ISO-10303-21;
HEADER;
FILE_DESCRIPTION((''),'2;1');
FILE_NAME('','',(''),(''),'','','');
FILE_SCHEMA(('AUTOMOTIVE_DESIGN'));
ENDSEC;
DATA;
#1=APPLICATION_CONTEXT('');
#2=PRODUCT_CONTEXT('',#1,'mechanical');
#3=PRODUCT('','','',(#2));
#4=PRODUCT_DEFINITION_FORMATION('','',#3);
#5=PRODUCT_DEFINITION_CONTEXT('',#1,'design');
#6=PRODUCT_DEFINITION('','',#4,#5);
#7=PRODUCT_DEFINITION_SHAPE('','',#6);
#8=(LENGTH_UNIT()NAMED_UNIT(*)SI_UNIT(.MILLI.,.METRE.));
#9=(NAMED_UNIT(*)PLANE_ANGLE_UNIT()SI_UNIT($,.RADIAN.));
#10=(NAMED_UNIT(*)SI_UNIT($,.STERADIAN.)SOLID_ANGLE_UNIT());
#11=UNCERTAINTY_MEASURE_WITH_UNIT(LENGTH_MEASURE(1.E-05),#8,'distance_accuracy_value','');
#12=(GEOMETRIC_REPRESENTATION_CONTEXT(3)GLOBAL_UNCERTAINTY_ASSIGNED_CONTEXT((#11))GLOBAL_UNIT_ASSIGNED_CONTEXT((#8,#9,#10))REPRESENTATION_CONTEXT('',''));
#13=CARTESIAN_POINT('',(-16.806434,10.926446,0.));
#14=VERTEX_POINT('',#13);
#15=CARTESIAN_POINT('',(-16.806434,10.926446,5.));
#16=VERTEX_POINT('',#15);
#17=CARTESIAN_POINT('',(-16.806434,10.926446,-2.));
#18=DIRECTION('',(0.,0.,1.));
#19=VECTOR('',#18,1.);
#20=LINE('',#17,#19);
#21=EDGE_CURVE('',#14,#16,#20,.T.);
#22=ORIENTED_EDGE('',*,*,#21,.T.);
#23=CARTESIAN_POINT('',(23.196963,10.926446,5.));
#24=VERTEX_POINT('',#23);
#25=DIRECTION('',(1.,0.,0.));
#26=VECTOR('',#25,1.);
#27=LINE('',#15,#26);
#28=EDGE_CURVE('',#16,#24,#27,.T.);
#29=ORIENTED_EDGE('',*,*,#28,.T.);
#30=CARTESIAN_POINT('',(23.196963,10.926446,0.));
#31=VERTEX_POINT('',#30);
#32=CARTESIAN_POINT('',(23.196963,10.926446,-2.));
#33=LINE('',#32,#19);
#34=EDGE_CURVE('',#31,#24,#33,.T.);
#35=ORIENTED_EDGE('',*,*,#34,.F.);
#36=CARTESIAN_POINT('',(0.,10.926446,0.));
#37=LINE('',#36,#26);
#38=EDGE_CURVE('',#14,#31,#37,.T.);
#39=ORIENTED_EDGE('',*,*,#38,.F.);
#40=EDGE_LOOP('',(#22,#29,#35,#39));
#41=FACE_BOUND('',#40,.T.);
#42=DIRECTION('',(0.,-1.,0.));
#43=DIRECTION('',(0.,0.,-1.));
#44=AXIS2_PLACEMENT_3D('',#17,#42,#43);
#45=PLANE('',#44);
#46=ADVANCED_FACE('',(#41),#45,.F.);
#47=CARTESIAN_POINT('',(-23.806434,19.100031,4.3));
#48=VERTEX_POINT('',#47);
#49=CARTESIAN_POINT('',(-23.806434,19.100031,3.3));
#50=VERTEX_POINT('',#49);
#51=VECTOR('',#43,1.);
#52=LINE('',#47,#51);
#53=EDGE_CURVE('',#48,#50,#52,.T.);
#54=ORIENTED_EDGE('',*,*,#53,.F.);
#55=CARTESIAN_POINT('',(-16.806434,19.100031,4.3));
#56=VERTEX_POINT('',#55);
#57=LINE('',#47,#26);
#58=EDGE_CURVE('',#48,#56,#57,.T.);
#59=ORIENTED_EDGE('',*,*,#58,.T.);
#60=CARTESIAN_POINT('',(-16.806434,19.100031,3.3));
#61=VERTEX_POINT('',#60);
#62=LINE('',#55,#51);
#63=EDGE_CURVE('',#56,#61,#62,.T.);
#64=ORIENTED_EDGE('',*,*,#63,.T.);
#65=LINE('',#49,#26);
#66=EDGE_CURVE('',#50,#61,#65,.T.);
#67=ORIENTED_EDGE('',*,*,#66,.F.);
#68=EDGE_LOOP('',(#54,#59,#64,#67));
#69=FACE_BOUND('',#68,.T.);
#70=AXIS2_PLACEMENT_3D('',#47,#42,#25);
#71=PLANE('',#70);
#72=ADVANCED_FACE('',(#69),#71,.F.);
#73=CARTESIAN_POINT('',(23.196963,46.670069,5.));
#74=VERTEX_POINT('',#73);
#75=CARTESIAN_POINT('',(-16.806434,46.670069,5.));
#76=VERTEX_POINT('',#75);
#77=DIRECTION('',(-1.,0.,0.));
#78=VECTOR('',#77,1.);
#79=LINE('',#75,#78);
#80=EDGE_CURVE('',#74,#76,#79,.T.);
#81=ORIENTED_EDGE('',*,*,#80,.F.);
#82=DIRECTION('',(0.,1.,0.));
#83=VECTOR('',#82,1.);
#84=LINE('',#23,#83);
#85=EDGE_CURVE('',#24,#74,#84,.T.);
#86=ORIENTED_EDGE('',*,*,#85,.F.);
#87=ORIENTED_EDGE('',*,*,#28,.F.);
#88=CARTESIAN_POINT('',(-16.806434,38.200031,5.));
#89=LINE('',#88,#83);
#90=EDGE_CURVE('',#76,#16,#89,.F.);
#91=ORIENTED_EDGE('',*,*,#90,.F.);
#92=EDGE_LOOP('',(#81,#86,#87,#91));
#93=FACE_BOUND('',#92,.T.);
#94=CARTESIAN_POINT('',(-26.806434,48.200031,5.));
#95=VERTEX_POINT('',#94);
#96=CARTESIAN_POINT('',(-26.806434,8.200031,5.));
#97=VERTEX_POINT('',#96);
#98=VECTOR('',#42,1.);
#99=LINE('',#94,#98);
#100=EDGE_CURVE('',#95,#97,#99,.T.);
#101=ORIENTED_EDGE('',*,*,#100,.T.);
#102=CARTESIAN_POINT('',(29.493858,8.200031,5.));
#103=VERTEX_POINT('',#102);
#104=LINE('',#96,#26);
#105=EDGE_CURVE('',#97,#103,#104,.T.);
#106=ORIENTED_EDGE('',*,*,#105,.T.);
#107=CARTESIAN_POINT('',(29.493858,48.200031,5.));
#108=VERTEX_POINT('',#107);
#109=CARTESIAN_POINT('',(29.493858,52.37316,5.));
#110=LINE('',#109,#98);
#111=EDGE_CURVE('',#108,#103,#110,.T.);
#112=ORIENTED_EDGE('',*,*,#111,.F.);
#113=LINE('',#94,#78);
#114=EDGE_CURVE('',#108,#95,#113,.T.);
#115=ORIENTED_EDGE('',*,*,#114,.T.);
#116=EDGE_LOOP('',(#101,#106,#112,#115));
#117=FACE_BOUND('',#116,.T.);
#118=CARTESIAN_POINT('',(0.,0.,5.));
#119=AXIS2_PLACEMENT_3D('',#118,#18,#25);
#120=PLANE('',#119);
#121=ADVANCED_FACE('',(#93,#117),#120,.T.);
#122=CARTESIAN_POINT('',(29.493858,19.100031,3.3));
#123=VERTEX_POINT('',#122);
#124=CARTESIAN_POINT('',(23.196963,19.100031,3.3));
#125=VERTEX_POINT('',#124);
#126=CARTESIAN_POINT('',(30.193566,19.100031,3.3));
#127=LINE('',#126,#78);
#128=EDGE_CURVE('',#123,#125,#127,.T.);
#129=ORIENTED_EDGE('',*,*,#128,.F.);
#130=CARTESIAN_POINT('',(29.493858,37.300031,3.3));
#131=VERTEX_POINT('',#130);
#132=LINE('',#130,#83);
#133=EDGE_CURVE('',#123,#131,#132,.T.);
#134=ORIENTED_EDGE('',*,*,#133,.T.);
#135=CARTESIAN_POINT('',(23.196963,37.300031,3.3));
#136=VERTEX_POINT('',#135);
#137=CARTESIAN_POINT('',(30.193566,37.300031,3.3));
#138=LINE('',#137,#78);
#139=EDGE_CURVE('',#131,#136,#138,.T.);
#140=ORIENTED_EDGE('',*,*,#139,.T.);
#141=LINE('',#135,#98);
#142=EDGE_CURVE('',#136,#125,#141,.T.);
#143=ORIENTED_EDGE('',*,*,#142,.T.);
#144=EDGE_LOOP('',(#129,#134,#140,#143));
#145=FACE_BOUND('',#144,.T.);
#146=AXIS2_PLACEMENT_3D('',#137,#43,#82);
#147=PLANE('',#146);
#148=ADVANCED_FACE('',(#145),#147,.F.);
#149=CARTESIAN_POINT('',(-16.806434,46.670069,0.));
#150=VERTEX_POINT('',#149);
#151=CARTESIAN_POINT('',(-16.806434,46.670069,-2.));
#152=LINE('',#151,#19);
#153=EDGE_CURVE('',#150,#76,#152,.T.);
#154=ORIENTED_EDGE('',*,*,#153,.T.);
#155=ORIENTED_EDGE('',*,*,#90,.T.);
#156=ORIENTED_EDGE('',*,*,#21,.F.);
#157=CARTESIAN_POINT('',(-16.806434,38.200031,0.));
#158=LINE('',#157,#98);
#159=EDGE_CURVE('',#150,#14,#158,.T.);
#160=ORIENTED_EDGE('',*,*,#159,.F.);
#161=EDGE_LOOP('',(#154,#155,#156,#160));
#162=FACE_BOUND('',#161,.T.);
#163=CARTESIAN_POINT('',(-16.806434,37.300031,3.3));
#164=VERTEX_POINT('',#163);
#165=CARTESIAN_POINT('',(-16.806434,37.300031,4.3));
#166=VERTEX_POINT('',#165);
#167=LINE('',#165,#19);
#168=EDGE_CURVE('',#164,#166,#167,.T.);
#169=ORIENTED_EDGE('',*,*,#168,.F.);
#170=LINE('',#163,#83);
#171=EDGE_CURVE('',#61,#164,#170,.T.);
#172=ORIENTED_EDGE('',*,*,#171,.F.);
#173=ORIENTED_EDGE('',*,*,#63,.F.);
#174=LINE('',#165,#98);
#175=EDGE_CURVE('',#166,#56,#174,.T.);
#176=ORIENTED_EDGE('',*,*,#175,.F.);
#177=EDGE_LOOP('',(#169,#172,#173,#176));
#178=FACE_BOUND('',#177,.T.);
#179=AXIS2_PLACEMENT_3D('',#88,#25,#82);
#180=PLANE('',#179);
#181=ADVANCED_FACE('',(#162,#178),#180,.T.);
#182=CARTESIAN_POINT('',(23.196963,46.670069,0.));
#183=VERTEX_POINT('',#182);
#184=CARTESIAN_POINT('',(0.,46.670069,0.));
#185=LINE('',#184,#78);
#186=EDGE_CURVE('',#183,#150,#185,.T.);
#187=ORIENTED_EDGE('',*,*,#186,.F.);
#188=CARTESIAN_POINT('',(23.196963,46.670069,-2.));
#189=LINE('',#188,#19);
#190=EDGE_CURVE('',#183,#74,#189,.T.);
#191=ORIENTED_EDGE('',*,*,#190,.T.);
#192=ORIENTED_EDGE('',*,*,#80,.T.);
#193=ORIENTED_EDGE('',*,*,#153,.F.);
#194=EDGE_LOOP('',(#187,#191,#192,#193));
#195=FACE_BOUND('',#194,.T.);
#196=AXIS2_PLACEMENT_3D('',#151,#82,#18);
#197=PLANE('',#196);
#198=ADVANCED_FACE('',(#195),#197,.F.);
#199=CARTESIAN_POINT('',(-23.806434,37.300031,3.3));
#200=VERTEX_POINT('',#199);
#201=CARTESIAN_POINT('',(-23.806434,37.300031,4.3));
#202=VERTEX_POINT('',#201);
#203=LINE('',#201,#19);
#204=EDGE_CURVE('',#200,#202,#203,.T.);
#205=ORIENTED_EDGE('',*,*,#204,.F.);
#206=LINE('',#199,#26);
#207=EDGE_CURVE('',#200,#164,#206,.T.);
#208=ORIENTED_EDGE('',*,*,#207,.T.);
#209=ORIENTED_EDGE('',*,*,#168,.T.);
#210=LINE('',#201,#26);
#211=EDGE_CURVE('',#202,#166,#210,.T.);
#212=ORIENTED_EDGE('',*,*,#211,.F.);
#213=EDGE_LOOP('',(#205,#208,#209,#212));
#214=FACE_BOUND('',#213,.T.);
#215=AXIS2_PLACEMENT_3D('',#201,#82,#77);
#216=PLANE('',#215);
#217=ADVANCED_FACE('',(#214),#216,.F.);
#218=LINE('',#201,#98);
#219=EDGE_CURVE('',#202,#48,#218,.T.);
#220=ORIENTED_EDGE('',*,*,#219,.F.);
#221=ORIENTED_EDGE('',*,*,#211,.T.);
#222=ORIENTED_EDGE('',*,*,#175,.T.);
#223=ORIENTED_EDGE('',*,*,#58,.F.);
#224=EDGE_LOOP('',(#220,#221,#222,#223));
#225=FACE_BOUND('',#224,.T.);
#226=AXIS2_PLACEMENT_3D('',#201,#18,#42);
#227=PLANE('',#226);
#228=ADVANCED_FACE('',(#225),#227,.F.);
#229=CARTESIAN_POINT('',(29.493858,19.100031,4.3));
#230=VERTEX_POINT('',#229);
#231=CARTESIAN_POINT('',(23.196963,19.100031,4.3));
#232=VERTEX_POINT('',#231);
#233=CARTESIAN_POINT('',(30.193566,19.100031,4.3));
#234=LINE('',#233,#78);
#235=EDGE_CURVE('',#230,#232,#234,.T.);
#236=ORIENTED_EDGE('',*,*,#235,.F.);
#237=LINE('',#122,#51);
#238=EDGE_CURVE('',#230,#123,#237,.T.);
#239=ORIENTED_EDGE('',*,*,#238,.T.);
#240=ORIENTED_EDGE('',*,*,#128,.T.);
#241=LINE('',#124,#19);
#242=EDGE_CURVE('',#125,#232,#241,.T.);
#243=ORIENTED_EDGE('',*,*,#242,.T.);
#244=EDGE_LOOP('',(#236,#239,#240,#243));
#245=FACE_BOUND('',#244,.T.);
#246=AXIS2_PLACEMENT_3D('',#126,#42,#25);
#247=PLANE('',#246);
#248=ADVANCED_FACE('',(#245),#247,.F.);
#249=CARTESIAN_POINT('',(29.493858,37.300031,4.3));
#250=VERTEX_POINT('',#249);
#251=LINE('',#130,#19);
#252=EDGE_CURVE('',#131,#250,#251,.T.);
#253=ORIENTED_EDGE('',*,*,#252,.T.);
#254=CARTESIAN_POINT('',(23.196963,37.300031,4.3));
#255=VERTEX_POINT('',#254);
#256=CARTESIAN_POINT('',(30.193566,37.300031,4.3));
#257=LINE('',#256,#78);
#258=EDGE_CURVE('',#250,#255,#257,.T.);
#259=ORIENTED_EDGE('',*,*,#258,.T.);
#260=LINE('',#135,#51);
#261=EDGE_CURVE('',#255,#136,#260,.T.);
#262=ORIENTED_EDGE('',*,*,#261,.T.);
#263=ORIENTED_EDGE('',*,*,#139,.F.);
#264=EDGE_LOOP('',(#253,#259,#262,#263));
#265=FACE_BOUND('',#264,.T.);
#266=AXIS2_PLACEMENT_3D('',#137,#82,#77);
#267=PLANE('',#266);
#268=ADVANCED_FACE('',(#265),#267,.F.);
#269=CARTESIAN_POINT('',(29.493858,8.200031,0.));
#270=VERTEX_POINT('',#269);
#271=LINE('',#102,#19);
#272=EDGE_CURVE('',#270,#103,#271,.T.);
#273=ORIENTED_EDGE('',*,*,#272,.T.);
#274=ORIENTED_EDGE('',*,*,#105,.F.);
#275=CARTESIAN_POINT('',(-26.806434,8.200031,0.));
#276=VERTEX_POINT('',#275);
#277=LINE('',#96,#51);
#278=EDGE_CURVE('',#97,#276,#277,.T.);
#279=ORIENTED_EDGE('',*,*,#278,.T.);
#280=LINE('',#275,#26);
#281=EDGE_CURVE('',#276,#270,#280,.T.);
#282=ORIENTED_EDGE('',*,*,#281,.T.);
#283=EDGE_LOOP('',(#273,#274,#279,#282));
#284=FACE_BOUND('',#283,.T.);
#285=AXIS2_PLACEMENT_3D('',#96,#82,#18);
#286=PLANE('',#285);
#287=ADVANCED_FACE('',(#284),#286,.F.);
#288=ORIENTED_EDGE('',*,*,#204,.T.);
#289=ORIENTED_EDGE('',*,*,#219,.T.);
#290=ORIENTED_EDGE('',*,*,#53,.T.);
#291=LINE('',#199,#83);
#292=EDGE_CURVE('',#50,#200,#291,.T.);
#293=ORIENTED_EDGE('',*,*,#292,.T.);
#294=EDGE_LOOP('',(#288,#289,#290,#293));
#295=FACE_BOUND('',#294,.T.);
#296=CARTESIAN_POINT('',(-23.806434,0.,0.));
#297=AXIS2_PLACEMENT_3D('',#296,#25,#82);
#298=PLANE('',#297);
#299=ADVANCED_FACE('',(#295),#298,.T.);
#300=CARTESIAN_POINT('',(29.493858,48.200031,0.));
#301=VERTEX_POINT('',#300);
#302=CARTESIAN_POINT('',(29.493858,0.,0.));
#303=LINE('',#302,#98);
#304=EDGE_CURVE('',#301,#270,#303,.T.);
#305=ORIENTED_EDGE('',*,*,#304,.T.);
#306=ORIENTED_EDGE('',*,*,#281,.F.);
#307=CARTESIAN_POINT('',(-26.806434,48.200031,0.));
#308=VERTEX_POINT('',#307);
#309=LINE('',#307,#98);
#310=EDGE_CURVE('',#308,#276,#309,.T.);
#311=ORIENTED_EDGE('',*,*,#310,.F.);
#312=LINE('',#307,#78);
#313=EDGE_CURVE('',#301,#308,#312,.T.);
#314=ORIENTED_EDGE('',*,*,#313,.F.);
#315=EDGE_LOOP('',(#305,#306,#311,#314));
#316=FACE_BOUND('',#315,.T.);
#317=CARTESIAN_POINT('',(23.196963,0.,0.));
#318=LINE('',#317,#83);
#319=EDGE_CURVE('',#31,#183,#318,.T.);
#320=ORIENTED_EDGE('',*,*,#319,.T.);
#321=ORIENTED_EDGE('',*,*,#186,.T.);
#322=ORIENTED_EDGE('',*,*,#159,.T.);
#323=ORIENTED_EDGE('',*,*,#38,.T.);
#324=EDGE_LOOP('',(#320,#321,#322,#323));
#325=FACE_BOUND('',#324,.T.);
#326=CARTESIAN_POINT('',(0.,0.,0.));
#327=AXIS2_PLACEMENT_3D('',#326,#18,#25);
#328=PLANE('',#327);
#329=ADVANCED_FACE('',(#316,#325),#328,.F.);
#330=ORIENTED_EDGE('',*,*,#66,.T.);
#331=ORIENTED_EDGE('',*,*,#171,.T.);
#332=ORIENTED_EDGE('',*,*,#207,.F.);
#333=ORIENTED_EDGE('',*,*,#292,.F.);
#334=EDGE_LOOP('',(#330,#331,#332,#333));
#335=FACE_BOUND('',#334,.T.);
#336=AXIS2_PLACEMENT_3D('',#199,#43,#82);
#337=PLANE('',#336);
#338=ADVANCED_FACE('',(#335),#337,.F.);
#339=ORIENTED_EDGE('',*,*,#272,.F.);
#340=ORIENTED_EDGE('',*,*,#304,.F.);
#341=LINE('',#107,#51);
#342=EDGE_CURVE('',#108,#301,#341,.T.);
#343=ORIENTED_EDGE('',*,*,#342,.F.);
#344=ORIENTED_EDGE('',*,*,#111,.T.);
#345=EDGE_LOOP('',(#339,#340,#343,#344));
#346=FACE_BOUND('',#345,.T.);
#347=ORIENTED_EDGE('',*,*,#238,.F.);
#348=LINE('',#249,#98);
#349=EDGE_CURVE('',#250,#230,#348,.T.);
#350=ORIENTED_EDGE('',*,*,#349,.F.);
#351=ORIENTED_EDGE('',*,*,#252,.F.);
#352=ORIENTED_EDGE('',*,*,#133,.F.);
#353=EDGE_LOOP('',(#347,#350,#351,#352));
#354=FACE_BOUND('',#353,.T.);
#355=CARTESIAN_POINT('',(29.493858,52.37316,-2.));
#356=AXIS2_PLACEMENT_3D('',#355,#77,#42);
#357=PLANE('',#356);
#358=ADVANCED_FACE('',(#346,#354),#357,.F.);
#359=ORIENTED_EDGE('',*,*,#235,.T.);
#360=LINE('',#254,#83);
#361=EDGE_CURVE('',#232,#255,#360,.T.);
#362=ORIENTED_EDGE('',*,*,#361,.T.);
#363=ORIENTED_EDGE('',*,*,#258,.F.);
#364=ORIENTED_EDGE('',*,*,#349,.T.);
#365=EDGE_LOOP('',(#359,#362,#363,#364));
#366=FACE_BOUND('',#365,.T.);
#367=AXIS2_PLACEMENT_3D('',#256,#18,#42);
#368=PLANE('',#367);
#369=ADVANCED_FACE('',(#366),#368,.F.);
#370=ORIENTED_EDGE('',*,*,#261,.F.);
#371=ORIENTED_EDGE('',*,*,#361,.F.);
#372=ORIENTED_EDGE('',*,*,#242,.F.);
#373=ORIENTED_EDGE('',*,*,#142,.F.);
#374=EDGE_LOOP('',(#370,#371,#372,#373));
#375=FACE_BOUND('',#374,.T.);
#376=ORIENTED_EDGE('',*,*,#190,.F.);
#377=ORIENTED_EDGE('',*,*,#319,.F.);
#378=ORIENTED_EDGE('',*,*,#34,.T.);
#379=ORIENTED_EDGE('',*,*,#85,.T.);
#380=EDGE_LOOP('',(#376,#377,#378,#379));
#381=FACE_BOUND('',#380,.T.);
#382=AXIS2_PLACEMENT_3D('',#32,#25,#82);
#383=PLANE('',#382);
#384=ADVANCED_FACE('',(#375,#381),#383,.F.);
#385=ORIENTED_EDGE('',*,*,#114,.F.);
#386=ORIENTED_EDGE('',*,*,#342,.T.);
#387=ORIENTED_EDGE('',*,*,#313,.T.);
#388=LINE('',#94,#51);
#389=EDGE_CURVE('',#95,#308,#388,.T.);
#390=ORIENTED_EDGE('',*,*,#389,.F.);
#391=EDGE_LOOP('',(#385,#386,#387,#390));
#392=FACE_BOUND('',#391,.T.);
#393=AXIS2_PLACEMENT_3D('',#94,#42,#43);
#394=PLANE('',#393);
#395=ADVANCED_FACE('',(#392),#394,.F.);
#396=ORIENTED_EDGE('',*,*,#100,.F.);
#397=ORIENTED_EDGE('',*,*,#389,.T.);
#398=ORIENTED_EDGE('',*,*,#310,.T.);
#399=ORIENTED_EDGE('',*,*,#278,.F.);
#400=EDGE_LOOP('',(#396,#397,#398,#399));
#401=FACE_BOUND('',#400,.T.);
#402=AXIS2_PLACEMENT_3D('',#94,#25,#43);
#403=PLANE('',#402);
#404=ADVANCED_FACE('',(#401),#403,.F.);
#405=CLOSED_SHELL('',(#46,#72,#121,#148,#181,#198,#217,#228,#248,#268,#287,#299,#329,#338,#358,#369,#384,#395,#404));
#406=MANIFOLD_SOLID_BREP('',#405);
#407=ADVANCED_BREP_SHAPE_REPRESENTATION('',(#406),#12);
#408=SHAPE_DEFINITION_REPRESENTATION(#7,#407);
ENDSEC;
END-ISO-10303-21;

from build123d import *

# Parameters (mm, degrees)
SKETCH1_W               = 60
SKETCH1_H               = 40
BOSS_EXTRUDE1_DEPTH     = 5
CUT_EXTRUDE2_DEPTH      = 59.523499554
CUT_EXTRUDE2_DEPTH_BACK = 59.523499554
SKETCH2_W               = 1
SKETCH2_H               = 18.2
CUT_EXTRUDE3_DEPTH      = 7
SKETCH3_W               = 1
SKETCH3_H               = 18.2
CUT_EXTRUDE4_DEPTH      = 7
SKETCH6_W               = 40.00339764
SKETCH6_H               = 35.743622905
CUT_EXTRUDE5_DEPTH      = 7
SKETCH7_W               = 12.082118358
SKETCH7_H               = 49.934440021
CUT_EXTRUDE6_DEPTH      = 7


with BuildPart() as part:
    # Sketch1 → Boss-Extrude1 (new body)
    with BuildSketch(Plane.XY):
        with Locations((3.193565597, 28.20003109)):
            Rectangle(SKETCH1_W, SKETCH1_H)
    extrude(amount=BOSS_EXTRUDE1_DEPTH)

    # 3DSketch1 → Cut-Extrude2 (cut, two sides)
    with BuildSketch(Plane(origin=(-16.806434403, 18.20003109, 5), x_dir=(0.8944271909999159, 0.4472135954999582, 0), z_dir=(0, 0, 1))) as cut_extrude2_sk:
        Polygon((0, 0), (35.77708764, -17.88854382), (44.72135955, 0), (8.94427191, 17.88854382), align=None)
    extrude(amount=CUT_EXTRUDE2_DEPTH, mode=Mode.SUBTRACT)
    extrude(cut_extrude2_sk.sketch, amount=-CUT_EXTRUDE2_DEPTH_BACK, mode=Mode.SUBTRACT)

    # Sketch2 → Cut-Extrude3 (cut)
    with BuildSketch(Plane(origin=(-16.806434403, 0, 0), x_dir=(0, 0, -1), z_dir=(1, 0, 0))):
        with Locations((-3.8, 28.20003109)):
            Rectangle(SKETCH2_W, SKETCH2_H)
    extrude(amount=-CUT_EXTRUDE3_DEPTH, mode=Mode.SUBTRACT)

    # Sketch3 → Cut-Extrude4 (cut)
    with BuildSketch(Plane.ZY.offset(-23.193565597)):
        with Locations((3.8, 28.20003109)):
            Rectangle(SKETCH3_W, SKETCH3_H)
    extrude(amount=-CUT_EXTRUDE4_DEPTH, mode=Mode.SUBTRACT)

    # Sketch6 → Cut-Extrude5 (cut)
    with BuildSketch(Plane.XY.offset(5)):
        with Locations((3.195264417, 28.798257348)):
            Rectangle(SKETCH6_W, SKETCH6_H)
    extrude(amount=-CUT_EXTRUDE5_DEPTH, mode=Mode.SUBTRACT)

    # Sketch7 → Cut-Extrude6 (cut)
    with BuildSketch(Plane.XY.offset(5)):
        with Locations((35.534916951, 27.405939639)):
            Rectangle(SKETCH7_W, SKETCH7_H)
    extrude(amount=-CUT_EXTRUDE6_DEPTH, mode=Mode.SUBTRACT)


solid = part.part
